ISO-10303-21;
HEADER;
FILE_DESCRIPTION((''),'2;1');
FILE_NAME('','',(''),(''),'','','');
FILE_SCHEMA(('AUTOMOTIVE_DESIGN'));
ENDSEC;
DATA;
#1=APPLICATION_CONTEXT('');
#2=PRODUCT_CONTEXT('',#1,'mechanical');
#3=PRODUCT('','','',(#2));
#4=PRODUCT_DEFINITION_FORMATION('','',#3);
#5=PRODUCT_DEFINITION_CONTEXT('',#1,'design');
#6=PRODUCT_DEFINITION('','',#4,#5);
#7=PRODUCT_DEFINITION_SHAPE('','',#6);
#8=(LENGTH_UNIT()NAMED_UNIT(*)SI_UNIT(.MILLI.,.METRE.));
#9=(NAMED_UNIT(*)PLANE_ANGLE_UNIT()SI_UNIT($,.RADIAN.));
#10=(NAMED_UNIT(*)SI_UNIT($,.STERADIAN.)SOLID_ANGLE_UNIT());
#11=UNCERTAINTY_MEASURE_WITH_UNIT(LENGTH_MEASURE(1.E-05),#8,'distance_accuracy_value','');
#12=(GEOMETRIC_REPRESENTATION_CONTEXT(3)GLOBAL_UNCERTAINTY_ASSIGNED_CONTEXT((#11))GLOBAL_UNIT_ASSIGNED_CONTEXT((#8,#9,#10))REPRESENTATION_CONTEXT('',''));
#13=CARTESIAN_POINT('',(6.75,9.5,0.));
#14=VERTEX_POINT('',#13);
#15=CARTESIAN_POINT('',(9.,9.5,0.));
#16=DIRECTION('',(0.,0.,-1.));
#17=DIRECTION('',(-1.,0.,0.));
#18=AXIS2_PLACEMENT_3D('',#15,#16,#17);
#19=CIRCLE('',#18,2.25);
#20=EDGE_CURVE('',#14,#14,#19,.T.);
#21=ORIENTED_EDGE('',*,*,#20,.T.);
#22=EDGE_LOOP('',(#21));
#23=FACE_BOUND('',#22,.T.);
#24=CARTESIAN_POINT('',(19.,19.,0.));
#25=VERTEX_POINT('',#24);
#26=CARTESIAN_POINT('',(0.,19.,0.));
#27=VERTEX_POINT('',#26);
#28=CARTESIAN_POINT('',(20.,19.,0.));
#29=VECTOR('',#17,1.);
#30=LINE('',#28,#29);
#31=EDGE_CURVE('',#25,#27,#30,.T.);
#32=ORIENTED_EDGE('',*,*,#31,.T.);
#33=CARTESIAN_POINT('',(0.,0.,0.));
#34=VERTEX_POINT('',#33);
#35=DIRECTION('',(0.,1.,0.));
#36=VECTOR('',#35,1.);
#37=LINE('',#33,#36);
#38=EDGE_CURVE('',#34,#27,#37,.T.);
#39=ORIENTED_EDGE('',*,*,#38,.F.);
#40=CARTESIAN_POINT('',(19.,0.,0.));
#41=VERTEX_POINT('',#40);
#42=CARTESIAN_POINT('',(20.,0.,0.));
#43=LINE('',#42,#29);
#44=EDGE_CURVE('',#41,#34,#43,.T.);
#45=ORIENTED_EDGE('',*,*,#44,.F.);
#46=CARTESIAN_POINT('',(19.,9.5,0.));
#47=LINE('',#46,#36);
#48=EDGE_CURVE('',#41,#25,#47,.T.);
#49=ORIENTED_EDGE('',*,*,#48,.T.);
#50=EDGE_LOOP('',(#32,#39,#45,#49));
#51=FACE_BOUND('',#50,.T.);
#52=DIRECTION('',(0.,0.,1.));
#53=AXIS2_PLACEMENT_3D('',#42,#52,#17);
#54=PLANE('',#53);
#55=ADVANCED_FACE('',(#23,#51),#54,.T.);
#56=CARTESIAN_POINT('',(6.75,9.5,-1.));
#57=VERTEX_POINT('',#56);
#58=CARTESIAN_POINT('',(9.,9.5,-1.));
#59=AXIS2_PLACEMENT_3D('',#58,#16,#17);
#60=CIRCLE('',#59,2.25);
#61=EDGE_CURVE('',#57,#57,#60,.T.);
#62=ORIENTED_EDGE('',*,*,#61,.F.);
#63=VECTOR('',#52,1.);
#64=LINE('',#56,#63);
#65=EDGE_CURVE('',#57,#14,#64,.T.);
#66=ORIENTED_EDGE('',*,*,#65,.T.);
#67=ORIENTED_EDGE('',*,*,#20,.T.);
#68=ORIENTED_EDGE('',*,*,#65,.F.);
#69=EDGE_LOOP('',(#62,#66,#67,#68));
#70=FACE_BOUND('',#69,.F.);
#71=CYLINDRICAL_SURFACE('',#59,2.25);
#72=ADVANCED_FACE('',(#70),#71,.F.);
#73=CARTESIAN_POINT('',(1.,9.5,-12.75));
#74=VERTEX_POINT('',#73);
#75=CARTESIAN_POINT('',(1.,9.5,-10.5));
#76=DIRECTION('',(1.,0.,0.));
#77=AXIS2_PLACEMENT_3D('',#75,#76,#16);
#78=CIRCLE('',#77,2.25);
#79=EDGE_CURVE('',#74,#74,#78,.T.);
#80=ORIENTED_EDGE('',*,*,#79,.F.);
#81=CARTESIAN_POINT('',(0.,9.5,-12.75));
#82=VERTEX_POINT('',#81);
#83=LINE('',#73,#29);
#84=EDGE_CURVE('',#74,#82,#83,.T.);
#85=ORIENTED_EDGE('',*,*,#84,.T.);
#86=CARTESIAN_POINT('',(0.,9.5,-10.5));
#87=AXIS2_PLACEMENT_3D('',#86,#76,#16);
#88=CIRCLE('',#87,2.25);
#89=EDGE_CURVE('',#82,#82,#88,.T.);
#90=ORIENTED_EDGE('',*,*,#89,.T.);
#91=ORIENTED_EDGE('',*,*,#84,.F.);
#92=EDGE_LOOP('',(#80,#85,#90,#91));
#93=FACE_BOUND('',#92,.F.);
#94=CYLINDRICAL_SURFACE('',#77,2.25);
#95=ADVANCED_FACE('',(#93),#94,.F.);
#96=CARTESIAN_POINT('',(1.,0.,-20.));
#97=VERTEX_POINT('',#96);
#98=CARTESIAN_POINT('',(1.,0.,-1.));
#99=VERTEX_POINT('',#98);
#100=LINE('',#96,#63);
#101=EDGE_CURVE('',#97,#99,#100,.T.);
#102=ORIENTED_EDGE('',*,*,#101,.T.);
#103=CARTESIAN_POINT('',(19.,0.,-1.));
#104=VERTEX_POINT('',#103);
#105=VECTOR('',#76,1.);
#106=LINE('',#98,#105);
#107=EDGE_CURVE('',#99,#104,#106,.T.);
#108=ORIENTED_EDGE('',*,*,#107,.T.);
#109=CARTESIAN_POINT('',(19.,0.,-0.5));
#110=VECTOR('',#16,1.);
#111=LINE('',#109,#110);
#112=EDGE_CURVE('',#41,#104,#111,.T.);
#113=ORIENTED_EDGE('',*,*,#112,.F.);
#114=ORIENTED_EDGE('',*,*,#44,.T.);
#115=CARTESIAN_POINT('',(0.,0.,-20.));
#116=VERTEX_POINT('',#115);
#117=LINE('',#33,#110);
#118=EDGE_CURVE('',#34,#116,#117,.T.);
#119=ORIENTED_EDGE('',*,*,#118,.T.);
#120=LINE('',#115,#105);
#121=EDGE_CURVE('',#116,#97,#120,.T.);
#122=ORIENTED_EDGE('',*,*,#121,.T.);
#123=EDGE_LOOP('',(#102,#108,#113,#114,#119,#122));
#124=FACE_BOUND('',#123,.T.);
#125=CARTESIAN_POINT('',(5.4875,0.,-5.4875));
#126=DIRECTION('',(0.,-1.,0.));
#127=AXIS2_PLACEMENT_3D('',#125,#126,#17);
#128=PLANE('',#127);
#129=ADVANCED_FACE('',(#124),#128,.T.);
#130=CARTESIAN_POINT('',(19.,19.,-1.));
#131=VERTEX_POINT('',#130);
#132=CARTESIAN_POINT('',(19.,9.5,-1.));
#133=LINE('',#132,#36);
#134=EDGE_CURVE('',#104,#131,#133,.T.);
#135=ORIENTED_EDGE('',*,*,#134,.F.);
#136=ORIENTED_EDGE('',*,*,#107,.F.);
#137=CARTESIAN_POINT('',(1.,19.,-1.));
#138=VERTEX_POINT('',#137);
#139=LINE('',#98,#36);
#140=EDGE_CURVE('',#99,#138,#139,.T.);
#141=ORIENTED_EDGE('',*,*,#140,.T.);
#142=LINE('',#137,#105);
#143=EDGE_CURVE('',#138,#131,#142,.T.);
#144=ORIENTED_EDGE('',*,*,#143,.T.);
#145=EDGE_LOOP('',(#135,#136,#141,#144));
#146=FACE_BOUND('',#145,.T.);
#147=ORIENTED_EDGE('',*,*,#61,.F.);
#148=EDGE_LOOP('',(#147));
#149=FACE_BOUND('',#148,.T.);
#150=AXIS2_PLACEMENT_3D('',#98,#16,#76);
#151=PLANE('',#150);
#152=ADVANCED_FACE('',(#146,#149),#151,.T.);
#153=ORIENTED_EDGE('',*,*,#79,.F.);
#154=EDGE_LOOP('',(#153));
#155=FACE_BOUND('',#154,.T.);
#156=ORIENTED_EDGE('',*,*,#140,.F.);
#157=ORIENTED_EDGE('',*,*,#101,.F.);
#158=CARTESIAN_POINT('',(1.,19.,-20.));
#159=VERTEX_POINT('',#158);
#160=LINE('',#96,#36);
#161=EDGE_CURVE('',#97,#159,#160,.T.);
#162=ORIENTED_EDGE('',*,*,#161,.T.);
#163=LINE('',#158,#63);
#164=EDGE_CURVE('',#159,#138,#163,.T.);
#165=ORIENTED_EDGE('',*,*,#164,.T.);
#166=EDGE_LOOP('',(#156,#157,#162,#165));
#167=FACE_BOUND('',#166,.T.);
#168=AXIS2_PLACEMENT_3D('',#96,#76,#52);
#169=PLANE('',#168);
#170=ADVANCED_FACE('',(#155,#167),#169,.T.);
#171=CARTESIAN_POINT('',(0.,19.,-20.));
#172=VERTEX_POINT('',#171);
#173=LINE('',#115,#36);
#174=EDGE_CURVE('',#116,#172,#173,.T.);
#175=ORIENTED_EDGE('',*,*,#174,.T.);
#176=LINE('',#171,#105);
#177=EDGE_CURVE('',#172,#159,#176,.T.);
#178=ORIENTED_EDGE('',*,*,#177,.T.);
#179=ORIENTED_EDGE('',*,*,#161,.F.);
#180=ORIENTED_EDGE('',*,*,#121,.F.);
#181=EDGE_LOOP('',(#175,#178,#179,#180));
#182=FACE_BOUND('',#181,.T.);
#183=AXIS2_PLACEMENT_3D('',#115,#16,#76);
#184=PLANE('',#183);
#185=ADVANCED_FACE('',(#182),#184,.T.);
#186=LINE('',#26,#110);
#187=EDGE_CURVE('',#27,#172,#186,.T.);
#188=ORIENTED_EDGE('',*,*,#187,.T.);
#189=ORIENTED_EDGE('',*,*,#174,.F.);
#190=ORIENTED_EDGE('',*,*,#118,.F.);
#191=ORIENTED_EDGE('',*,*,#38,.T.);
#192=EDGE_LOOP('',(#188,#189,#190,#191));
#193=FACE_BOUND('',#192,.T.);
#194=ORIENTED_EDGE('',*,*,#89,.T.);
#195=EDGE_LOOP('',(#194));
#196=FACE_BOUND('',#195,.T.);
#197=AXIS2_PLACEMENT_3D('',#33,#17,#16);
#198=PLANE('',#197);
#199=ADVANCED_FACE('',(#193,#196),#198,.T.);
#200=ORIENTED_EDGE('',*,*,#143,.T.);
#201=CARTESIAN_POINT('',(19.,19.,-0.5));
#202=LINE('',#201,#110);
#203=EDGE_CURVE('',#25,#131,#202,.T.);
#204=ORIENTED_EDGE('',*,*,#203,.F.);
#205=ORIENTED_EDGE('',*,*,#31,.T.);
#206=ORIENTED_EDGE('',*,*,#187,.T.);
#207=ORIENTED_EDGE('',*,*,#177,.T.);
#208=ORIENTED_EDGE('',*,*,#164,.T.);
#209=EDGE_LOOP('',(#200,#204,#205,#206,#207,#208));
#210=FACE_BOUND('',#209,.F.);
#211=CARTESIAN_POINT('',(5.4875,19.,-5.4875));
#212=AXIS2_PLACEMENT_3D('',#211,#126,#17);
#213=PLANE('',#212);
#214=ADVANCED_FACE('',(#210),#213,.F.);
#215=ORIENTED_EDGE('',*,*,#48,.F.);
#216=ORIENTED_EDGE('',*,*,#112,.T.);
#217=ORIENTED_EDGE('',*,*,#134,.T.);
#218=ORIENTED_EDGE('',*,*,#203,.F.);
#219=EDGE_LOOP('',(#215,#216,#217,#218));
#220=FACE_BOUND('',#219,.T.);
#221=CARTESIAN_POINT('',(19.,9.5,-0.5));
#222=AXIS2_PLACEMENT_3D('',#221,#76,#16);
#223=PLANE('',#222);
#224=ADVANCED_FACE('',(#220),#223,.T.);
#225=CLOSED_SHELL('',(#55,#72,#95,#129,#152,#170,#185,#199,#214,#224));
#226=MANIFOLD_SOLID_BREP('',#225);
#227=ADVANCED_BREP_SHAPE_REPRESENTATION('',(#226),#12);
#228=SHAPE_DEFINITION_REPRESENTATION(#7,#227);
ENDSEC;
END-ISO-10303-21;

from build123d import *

# Parameters (mm, degrees)
EXTRUDE_1_DEPTH     = 19
SKETCH_3_W          = 1
SKETCH_3_H          = 19
CUT_EXTRUDE_1_DEPTH = 1
SKETCH_4_R          = 2.25
CUT_EXTRUDE_2_DEPTH = 2
SKETCH_5_R          = 2.25
CUT_EXTRUDE_3_DEPTH = 2


with BuildPart() as part:
    # Эскиз1 → Бобышка-Вытянуть1 (new body)
    with BuildSketch(Plane(origin=(0, 0, 0), x_dir=(1, 0, 0), z_dir=(0, 1, 0))):
        Polygon((0, 0), (0, 20), (1, 20), (1, 1), (20, 1), (20, 0), align=None)
    extrude(amount=EXTRUDE_1_DEPTH)

    # Эскиз3 → Вырез-Вытянуть1 (cut)
    with BuildSketch(Plane(origin=(20, 0, 0), x_dir=(0, 0, -1), z_dir=(1, 0, 0))):
        with Locations((0.5, 9.5)):
            Rectangle(SKETCH_3_W, SKETCH_3_H)
    extrude(amount=-CUT_EXTRUDE_1_DEPTH, mode=Mode.SUBTRACT)

    # Эскиз4 → Вырез-Вытянуть2 (cut, through all)
    with BuildSketch(Plane(origin=(1, 0, 0), x_dir=(0, 0, -1), z_dir=(1, 0, 0))):
        with Locations((10.5, 9.5)):
            Circle(SKETCH_4_R)
    extrude(amount=-CUT_EXTRUDE_2_DEPTH, mode=Mode.SUBTRACT)

    # Эскиз5 → Вырез-Вытянуть3 (cut, through all)
    with BuildSketch(Plane(origin=(0, 0, -1), x_dir=(-1, 0, 0), z_dir=(0, 0, -1))):
        with Locations((-9, 9.5)):
            Circle(SKETCH_5_R)
    extrude(amount=-CUT_EXTRUDE_3_DEPTH, mode=Mode.SUBTRACT)


solid = part.part
